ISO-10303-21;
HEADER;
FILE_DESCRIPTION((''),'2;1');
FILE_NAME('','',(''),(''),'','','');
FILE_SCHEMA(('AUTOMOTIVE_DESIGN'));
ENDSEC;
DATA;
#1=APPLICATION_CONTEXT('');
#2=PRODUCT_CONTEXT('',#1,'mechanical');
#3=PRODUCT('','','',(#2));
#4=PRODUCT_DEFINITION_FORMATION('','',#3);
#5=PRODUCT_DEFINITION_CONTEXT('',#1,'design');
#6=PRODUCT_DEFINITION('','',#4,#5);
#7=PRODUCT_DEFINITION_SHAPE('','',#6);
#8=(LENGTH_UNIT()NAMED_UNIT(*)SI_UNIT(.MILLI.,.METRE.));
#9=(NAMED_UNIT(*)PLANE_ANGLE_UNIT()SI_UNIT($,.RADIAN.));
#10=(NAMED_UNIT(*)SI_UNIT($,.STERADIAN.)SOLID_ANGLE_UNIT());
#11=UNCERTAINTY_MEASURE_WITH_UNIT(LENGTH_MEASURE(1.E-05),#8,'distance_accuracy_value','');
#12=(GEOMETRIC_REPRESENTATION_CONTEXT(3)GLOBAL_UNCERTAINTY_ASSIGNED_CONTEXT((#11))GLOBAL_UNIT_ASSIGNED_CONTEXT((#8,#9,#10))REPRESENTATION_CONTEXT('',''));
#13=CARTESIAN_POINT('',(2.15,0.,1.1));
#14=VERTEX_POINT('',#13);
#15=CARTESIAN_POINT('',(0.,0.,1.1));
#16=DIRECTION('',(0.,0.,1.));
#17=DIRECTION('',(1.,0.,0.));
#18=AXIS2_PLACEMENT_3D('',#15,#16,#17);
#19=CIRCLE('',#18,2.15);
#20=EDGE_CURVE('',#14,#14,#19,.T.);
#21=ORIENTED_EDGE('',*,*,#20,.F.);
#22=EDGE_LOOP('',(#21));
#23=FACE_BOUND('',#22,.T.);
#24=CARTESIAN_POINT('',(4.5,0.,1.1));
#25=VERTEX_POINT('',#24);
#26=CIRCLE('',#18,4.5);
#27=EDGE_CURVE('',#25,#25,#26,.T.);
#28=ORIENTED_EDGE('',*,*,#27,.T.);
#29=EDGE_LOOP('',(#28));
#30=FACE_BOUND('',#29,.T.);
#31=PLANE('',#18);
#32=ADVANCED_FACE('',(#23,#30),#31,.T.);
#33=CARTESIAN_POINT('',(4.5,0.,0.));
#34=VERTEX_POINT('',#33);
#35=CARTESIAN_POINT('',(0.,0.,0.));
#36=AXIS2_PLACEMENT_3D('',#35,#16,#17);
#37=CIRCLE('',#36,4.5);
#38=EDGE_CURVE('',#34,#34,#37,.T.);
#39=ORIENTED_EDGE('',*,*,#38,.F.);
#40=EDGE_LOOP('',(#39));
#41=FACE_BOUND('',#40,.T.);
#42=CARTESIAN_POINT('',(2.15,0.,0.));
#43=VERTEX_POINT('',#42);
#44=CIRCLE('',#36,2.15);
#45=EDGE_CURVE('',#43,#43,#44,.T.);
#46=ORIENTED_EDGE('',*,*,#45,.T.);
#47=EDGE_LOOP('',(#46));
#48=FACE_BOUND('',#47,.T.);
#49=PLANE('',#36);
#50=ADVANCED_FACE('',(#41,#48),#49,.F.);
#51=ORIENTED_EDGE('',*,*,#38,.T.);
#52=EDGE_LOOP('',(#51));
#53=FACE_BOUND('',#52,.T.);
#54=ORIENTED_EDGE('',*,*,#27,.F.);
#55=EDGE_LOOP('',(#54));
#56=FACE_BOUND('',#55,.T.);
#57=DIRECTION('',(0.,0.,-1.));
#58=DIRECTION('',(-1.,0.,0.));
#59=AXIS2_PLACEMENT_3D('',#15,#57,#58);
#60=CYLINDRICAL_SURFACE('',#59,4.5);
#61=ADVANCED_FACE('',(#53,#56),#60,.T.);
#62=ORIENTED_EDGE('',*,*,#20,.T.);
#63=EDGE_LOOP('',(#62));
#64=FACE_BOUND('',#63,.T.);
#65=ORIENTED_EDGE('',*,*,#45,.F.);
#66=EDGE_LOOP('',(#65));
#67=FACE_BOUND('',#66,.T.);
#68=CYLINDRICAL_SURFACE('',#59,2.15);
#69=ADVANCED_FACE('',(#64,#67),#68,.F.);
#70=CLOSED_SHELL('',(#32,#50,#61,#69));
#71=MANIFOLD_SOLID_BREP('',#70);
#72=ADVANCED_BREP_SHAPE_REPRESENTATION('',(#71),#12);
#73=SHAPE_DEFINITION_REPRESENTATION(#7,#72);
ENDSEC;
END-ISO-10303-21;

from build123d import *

# Parameters (mm, degrees)
SKETCH1_R           = 4.5
SKETCH1_R_2         = 2.15
BOSS_EXTRUDE1_DEPTH = 1.1


with BuildPart() as part:
    # Sketch1 → Boss-Extrude1 (new body)
    with BuildSketch(Plane.XY):
        Circle(SKETCH1_R)
        Circle(SKETCH1_R_2, mode=Mode.SUBTRACT)
    extrude(amount=BOSS_EXTRUDE1_DEPTH)


solid = part.part
